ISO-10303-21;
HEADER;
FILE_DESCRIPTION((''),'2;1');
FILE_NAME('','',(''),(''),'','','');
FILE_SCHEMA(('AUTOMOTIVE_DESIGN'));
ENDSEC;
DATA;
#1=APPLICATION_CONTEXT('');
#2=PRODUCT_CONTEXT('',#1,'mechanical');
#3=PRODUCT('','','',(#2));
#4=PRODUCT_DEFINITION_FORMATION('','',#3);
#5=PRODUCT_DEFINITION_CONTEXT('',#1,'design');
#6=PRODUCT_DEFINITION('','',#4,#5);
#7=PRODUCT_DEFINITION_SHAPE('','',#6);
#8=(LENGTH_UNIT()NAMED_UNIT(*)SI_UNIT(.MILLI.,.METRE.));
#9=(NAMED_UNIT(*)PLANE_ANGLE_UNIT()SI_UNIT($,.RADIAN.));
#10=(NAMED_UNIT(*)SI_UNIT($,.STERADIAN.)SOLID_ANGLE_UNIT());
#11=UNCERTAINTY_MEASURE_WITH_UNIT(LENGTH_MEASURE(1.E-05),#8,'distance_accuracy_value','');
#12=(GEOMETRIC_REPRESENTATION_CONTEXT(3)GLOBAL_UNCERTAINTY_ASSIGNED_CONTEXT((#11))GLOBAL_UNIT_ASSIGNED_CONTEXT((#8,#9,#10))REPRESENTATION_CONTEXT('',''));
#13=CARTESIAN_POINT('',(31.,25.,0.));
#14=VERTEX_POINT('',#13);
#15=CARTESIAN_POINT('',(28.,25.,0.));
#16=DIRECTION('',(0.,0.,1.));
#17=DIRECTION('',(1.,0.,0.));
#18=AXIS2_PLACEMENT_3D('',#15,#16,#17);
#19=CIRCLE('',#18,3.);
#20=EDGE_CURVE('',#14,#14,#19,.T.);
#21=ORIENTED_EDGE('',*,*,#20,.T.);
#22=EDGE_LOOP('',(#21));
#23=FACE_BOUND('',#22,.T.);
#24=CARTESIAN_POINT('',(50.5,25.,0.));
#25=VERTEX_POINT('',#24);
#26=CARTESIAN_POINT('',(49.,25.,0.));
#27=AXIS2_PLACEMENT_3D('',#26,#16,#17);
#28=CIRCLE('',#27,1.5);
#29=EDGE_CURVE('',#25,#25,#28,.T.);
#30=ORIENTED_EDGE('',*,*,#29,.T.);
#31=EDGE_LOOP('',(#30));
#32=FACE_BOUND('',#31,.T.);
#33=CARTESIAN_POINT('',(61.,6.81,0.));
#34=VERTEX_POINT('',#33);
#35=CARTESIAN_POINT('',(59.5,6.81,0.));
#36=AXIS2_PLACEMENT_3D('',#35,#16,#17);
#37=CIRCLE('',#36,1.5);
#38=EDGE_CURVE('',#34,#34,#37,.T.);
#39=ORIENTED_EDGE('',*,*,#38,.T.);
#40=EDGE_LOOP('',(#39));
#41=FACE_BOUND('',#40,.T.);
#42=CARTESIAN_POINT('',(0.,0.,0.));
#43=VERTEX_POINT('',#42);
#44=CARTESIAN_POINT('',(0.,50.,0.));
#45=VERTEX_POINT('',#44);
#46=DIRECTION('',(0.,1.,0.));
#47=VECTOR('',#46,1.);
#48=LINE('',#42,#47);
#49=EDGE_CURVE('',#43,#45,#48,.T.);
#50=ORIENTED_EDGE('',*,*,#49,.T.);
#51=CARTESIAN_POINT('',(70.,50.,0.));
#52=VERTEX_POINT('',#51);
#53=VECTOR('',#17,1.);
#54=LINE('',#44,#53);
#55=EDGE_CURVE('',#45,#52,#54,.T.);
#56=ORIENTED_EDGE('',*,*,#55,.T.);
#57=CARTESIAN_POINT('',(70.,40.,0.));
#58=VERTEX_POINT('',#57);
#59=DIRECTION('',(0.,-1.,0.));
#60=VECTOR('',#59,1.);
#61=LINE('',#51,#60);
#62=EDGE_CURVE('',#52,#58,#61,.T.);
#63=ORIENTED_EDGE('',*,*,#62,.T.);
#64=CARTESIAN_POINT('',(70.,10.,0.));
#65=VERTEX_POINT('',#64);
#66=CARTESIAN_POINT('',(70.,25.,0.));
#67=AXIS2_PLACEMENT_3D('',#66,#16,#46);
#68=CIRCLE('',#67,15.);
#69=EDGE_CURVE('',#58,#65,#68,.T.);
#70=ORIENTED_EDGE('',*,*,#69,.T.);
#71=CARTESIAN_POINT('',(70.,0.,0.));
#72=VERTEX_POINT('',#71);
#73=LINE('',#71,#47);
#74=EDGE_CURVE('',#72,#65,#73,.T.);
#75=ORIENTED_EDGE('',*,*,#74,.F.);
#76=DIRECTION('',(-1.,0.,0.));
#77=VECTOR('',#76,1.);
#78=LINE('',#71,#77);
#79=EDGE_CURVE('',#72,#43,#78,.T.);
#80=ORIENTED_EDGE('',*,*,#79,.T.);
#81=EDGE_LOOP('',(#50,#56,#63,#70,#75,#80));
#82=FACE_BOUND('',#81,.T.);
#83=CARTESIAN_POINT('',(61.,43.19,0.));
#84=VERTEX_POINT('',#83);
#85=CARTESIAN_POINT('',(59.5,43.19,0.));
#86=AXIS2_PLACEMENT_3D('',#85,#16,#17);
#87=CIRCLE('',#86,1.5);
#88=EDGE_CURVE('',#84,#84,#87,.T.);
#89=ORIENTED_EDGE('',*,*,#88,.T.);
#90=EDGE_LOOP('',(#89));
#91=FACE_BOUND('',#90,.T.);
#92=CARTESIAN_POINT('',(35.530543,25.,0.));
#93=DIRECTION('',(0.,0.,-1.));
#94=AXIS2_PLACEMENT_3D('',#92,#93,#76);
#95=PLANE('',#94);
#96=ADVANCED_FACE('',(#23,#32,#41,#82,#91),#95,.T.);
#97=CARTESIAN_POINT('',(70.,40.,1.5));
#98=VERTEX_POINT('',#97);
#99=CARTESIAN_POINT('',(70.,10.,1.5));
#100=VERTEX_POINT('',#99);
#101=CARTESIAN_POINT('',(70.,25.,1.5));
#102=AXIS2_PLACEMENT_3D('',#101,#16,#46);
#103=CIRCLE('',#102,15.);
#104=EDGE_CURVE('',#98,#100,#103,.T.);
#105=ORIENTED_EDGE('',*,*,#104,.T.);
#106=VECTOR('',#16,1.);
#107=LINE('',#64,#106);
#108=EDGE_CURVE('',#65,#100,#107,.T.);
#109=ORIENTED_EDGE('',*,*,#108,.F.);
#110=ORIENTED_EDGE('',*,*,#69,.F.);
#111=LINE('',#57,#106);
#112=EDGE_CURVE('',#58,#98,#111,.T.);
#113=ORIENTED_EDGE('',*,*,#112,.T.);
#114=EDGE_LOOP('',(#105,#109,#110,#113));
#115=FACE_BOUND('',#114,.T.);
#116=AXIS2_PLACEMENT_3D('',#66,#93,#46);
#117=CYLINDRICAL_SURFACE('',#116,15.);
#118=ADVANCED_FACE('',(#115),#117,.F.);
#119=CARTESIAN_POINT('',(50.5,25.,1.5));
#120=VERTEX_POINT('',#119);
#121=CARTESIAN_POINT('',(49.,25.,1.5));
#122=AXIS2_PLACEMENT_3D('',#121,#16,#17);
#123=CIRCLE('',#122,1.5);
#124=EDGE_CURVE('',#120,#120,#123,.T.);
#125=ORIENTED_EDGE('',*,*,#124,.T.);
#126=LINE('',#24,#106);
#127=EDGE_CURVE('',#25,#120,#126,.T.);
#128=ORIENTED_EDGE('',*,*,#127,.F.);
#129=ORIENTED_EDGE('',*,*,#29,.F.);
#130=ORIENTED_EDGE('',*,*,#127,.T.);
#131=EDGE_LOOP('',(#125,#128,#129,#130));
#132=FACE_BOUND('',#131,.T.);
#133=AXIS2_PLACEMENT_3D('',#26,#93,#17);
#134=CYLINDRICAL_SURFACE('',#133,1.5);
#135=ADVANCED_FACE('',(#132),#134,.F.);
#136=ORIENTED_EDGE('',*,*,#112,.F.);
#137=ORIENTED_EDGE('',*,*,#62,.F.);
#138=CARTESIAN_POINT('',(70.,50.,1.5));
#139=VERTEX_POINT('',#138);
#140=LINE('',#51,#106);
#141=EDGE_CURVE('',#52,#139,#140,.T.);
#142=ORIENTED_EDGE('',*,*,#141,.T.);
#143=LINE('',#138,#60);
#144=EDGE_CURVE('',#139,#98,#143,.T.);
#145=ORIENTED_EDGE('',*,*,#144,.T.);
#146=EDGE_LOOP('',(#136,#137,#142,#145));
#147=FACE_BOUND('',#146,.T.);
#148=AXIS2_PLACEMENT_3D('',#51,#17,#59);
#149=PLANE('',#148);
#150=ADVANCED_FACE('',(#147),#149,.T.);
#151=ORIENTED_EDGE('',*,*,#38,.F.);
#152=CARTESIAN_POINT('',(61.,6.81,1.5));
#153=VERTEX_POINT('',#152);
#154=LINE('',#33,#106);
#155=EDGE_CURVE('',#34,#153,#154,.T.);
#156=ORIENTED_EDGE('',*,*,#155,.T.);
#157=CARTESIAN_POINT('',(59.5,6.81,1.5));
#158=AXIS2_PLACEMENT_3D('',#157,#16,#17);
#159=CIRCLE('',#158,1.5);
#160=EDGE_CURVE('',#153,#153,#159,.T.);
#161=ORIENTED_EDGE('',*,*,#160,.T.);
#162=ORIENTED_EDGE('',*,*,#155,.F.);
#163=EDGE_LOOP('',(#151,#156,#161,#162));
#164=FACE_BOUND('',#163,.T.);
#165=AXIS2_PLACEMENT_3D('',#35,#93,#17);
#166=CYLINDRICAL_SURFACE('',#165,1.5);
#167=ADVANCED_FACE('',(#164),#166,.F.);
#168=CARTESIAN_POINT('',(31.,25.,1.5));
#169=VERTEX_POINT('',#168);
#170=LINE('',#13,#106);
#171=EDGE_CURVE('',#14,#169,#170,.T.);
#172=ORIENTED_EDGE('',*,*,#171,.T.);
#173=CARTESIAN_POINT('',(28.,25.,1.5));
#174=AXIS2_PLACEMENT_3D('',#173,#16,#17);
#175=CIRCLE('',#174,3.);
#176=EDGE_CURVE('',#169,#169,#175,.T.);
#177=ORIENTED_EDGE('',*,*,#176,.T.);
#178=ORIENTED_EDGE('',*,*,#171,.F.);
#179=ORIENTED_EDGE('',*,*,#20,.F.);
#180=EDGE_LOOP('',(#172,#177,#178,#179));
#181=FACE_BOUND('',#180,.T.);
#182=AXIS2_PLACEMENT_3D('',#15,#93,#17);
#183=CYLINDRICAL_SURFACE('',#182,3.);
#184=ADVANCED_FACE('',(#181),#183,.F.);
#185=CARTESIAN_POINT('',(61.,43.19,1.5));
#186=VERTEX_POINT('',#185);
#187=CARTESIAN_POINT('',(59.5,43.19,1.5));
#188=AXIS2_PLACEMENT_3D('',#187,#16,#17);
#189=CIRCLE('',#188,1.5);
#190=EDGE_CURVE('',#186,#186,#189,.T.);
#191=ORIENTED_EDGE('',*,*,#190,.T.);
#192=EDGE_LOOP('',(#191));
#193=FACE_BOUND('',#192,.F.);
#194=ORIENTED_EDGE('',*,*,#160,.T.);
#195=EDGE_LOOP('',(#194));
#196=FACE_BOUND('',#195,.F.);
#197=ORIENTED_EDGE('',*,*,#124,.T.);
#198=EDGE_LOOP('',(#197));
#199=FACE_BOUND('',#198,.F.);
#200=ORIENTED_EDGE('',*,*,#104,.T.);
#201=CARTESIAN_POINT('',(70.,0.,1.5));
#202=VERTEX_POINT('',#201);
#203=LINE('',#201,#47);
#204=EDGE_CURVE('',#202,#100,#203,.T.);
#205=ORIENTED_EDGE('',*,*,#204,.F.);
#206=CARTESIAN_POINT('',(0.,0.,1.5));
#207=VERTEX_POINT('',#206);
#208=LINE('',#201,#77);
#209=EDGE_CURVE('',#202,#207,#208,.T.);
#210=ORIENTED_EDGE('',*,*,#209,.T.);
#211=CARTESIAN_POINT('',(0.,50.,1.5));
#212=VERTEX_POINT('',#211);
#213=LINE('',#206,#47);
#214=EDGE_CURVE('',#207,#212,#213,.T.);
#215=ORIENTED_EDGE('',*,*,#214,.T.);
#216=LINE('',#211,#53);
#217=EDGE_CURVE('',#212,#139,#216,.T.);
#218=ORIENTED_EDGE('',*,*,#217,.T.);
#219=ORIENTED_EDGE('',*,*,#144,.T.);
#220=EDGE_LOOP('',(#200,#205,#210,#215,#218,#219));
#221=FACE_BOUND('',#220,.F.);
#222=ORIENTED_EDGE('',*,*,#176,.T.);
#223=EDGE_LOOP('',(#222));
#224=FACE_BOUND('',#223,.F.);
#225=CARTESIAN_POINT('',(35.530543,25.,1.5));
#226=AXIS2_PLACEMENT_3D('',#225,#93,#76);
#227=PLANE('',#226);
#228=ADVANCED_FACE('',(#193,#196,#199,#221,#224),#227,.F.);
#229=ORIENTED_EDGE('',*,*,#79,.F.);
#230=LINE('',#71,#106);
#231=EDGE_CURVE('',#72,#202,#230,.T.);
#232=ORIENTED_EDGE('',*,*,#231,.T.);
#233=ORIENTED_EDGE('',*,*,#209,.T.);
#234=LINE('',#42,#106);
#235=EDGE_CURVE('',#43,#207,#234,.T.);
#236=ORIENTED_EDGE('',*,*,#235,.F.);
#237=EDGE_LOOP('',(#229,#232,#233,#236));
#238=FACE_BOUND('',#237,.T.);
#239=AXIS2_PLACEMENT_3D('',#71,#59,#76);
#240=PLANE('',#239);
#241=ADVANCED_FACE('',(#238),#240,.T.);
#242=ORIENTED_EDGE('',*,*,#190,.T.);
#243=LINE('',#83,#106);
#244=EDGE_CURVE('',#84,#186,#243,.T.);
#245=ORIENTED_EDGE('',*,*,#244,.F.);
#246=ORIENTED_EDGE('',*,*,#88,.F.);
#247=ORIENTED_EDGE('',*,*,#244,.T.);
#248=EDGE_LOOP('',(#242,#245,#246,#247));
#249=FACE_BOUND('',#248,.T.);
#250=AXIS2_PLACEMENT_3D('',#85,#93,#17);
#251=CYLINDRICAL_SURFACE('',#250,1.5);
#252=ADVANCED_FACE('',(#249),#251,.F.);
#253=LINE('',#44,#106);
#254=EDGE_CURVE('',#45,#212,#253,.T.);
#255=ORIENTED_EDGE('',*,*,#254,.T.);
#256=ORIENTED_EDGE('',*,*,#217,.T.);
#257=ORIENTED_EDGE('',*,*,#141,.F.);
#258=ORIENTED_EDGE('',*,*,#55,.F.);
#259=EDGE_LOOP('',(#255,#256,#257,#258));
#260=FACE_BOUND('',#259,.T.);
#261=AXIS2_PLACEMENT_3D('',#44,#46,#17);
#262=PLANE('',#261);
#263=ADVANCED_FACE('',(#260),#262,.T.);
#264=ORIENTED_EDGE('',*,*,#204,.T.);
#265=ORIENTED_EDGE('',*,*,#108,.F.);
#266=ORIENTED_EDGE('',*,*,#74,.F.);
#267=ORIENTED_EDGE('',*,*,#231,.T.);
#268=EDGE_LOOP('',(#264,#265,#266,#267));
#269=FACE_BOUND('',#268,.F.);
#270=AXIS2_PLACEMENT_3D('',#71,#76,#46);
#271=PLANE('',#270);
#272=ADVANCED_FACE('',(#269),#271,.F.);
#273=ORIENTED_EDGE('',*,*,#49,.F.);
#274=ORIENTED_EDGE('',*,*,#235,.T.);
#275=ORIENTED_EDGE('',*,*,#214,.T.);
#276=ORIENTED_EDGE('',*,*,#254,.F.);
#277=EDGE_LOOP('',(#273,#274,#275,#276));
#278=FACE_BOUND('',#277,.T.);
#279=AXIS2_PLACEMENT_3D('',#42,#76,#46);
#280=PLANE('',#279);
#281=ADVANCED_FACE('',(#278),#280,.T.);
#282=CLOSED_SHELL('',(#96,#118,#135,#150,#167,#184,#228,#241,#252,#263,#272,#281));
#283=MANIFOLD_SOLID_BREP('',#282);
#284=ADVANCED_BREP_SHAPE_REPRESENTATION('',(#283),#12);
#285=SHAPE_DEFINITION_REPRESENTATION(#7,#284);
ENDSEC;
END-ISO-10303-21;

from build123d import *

# Parameters (mm, degrees)
SKETCH_R   = 3
SKETCH_R_2 = 1.5
PAD_DEPTH  = 1.5


with BuildPart() as part:
    # Sketch → Pad (new body)
    with BuildSketch(Plane.XY):
        with BuildLine():
            Line((70, 0), (0, 0))
            Line((0, 0), (0, 50))
            Line((0, 50), (70, 50))
            Line((70, 50), (70, 40))
            ThreePointArc((70, 40), (55, 25), (70, 10))
            Line((70, 0), (70, 10))
        make_face()
        with Locations((28, 25)):
            Circle(SKETCH_R, mode=Mode.SUBTRACT)
        with Locations((49, 25)):
            Circle(SKETCH_R_2, mode=Mode.SUBTRACT)
        with Locations((59.5, 43.19)):
            Circle(SKETCH_R_2, mode=Mode.SUBTRACT)
        with Locations((59.5, 6.81)):
            Circle(SKETCH_R_2, mode=Mode.SUBTRACT)
    extrude(amount=PAD_DEPTH)


solid = part.part
